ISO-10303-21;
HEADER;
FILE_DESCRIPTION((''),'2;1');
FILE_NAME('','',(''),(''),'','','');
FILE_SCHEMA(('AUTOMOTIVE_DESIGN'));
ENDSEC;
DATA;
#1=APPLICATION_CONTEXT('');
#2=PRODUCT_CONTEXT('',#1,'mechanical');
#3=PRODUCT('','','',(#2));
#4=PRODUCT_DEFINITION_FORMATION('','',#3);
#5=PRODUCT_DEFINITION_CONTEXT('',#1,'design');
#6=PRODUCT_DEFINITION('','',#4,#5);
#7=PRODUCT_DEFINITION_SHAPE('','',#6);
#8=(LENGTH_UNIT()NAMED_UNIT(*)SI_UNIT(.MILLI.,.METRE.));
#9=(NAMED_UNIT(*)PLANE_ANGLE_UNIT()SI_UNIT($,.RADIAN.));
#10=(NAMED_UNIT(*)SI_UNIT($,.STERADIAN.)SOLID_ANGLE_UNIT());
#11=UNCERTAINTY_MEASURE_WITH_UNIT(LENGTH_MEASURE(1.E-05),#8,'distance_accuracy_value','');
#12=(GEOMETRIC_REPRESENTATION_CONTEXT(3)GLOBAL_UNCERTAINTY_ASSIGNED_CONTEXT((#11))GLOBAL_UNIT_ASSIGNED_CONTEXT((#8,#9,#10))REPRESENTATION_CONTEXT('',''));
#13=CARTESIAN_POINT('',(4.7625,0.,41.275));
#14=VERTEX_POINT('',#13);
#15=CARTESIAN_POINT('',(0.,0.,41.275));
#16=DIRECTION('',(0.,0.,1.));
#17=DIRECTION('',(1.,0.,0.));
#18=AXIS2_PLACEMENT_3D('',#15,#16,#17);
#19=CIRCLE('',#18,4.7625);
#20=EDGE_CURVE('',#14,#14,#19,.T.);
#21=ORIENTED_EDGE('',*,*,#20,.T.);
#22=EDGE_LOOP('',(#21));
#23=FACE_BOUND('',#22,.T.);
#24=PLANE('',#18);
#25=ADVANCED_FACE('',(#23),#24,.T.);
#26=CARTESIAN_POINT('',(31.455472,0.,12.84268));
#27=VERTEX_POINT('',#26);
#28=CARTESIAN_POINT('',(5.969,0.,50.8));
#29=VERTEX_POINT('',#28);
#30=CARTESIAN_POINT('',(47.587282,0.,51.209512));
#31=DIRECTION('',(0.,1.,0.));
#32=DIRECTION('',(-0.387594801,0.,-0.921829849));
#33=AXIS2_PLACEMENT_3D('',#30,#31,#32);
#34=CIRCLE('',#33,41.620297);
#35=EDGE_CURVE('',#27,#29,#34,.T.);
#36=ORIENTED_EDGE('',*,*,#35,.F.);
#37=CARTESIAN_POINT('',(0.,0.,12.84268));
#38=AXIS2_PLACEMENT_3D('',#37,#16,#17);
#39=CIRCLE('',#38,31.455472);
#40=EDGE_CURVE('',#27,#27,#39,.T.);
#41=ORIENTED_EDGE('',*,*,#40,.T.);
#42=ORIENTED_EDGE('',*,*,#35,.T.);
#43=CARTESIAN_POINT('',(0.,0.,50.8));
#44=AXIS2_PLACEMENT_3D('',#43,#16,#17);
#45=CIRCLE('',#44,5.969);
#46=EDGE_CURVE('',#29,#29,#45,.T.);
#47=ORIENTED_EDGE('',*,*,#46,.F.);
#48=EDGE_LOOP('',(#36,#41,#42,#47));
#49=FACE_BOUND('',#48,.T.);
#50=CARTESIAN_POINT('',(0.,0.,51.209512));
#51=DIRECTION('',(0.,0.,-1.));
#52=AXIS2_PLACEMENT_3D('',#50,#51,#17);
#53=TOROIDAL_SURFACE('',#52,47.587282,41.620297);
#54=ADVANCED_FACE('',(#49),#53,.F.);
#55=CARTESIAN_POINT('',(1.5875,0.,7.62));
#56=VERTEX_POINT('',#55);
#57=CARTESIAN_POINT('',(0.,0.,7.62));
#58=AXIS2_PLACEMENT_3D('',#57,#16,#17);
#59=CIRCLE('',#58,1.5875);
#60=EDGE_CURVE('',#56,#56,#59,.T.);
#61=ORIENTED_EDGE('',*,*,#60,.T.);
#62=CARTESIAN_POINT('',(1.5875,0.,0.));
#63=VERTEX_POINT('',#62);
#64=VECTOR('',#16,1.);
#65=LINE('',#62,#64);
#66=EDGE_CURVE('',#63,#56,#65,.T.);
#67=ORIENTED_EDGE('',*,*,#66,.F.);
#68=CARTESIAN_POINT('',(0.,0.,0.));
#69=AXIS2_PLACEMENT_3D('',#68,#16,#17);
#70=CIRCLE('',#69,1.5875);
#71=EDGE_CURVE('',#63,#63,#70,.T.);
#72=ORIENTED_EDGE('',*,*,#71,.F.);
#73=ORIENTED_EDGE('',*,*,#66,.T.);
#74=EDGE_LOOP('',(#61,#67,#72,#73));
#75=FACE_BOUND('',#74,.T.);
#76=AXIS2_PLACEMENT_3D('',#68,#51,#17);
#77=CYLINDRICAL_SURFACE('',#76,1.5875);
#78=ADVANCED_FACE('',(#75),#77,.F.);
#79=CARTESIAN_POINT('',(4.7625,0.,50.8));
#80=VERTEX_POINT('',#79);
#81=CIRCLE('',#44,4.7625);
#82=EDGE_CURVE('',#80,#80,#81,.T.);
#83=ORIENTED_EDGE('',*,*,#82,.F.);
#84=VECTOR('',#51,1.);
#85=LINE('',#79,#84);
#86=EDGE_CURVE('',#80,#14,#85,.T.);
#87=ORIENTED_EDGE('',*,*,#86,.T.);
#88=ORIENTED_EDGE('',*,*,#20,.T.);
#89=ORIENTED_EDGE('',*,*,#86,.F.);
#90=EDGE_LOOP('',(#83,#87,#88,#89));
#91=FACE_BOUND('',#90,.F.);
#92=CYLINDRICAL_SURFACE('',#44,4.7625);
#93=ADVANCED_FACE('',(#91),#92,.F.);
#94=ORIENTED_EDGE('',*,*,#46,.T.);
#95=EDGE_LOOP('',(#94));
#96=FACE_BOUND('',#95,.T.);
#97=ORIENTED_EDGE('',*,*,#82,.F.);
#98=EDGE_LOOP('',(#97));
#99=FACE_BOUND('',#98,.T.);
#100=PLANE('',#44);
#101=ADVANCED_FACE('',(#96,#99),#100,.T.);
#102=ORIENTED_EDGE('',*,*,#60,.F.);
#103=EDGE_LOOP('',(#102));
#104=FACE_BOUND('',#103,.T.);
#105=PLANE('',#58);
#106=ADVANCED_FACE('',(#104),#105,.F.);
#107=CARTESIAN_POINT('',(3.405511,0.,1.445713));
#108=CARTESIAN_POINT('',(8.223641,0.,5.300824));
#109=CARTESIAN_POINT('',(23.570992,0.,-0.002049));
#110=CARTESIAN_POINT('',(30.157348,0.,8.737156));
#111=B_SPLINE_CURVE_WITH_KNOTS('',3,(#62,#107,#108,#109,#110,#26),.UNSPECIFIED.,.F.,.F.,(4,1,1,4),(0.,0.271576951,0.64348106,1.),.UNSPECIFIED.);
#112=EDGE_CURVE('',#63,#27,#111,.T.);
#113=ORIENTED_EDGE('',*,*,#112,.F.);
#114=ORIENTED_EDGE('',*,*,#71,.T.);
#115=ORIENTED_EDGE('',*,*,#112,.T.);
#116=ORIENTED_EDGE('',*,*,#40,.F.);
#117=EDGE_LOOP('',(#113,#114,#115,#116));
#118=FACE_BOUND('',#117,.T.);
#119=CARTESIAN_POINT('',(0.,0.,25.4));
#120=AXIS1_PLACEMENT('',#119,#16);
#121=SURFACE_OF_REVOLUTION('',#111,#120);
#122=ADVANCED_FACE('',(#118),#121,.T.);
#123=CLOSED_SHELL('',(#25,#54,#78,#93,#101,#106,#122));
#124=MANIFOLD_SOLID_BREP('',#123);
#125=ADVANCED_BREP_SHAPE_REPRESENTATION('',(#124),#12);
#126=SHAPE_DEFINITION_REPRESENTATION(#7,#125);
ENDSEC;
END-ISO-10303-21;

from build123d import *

# Parameters (mm, degrees)
F2_R     = 4.7625
F3_DEPTH = 9.525
F4_DEPTH = 7.62


with BuildPart() as f1:
    # F0 (on Front) → F1 (revolve)
    with BuildSketch(Plane.XZ):
        with BuildLine():
            Line((0, 50.8), (0, 0))
            Line((0, 0), (1.5875, 0))
            add(Edge.make_bspline(
                [(1.5875, 0), (3.4055108405, 1.445712693), (8.2236413921, 5.3008235661), (23.5709920987, -0.0020492519), (30.1573484378, 8.7371555385), (31.4554715347, 12.8426796426)],
                knots=[0, 0, 0, 0, 0.271576951, 0.6434810604, 1, 1, 1, 1], degree=3))
            ThreePointArc((31.4554715347, 12.8426796426), (13.0335870575, 28.0084068393), (5.969, 50.8))
            Line((5.969, 50.8), (0, 50.8))
        make_face()
    revolve(axis=Axis((0, 0, 25.4), (0, 0, 1)))

    # F2 (on face) → F3 (cut)
    with BuildSketch(Plane.XY.offset(50.8)):
        Circle(F2_R)
    extrude(amount=-F3_DEPTH, mode=Mode.SUBTRACT)

    # F4 (cut): a face of the model
    f4_faces = [f1.faces().sort_by_distance(p)[0] for p in [
        (0, 0, 0),
    ]]
    extrude(f4_faces, amount=-F4_DEPTH, mode=Mode.SUBTRACT)


solid = f1.part
